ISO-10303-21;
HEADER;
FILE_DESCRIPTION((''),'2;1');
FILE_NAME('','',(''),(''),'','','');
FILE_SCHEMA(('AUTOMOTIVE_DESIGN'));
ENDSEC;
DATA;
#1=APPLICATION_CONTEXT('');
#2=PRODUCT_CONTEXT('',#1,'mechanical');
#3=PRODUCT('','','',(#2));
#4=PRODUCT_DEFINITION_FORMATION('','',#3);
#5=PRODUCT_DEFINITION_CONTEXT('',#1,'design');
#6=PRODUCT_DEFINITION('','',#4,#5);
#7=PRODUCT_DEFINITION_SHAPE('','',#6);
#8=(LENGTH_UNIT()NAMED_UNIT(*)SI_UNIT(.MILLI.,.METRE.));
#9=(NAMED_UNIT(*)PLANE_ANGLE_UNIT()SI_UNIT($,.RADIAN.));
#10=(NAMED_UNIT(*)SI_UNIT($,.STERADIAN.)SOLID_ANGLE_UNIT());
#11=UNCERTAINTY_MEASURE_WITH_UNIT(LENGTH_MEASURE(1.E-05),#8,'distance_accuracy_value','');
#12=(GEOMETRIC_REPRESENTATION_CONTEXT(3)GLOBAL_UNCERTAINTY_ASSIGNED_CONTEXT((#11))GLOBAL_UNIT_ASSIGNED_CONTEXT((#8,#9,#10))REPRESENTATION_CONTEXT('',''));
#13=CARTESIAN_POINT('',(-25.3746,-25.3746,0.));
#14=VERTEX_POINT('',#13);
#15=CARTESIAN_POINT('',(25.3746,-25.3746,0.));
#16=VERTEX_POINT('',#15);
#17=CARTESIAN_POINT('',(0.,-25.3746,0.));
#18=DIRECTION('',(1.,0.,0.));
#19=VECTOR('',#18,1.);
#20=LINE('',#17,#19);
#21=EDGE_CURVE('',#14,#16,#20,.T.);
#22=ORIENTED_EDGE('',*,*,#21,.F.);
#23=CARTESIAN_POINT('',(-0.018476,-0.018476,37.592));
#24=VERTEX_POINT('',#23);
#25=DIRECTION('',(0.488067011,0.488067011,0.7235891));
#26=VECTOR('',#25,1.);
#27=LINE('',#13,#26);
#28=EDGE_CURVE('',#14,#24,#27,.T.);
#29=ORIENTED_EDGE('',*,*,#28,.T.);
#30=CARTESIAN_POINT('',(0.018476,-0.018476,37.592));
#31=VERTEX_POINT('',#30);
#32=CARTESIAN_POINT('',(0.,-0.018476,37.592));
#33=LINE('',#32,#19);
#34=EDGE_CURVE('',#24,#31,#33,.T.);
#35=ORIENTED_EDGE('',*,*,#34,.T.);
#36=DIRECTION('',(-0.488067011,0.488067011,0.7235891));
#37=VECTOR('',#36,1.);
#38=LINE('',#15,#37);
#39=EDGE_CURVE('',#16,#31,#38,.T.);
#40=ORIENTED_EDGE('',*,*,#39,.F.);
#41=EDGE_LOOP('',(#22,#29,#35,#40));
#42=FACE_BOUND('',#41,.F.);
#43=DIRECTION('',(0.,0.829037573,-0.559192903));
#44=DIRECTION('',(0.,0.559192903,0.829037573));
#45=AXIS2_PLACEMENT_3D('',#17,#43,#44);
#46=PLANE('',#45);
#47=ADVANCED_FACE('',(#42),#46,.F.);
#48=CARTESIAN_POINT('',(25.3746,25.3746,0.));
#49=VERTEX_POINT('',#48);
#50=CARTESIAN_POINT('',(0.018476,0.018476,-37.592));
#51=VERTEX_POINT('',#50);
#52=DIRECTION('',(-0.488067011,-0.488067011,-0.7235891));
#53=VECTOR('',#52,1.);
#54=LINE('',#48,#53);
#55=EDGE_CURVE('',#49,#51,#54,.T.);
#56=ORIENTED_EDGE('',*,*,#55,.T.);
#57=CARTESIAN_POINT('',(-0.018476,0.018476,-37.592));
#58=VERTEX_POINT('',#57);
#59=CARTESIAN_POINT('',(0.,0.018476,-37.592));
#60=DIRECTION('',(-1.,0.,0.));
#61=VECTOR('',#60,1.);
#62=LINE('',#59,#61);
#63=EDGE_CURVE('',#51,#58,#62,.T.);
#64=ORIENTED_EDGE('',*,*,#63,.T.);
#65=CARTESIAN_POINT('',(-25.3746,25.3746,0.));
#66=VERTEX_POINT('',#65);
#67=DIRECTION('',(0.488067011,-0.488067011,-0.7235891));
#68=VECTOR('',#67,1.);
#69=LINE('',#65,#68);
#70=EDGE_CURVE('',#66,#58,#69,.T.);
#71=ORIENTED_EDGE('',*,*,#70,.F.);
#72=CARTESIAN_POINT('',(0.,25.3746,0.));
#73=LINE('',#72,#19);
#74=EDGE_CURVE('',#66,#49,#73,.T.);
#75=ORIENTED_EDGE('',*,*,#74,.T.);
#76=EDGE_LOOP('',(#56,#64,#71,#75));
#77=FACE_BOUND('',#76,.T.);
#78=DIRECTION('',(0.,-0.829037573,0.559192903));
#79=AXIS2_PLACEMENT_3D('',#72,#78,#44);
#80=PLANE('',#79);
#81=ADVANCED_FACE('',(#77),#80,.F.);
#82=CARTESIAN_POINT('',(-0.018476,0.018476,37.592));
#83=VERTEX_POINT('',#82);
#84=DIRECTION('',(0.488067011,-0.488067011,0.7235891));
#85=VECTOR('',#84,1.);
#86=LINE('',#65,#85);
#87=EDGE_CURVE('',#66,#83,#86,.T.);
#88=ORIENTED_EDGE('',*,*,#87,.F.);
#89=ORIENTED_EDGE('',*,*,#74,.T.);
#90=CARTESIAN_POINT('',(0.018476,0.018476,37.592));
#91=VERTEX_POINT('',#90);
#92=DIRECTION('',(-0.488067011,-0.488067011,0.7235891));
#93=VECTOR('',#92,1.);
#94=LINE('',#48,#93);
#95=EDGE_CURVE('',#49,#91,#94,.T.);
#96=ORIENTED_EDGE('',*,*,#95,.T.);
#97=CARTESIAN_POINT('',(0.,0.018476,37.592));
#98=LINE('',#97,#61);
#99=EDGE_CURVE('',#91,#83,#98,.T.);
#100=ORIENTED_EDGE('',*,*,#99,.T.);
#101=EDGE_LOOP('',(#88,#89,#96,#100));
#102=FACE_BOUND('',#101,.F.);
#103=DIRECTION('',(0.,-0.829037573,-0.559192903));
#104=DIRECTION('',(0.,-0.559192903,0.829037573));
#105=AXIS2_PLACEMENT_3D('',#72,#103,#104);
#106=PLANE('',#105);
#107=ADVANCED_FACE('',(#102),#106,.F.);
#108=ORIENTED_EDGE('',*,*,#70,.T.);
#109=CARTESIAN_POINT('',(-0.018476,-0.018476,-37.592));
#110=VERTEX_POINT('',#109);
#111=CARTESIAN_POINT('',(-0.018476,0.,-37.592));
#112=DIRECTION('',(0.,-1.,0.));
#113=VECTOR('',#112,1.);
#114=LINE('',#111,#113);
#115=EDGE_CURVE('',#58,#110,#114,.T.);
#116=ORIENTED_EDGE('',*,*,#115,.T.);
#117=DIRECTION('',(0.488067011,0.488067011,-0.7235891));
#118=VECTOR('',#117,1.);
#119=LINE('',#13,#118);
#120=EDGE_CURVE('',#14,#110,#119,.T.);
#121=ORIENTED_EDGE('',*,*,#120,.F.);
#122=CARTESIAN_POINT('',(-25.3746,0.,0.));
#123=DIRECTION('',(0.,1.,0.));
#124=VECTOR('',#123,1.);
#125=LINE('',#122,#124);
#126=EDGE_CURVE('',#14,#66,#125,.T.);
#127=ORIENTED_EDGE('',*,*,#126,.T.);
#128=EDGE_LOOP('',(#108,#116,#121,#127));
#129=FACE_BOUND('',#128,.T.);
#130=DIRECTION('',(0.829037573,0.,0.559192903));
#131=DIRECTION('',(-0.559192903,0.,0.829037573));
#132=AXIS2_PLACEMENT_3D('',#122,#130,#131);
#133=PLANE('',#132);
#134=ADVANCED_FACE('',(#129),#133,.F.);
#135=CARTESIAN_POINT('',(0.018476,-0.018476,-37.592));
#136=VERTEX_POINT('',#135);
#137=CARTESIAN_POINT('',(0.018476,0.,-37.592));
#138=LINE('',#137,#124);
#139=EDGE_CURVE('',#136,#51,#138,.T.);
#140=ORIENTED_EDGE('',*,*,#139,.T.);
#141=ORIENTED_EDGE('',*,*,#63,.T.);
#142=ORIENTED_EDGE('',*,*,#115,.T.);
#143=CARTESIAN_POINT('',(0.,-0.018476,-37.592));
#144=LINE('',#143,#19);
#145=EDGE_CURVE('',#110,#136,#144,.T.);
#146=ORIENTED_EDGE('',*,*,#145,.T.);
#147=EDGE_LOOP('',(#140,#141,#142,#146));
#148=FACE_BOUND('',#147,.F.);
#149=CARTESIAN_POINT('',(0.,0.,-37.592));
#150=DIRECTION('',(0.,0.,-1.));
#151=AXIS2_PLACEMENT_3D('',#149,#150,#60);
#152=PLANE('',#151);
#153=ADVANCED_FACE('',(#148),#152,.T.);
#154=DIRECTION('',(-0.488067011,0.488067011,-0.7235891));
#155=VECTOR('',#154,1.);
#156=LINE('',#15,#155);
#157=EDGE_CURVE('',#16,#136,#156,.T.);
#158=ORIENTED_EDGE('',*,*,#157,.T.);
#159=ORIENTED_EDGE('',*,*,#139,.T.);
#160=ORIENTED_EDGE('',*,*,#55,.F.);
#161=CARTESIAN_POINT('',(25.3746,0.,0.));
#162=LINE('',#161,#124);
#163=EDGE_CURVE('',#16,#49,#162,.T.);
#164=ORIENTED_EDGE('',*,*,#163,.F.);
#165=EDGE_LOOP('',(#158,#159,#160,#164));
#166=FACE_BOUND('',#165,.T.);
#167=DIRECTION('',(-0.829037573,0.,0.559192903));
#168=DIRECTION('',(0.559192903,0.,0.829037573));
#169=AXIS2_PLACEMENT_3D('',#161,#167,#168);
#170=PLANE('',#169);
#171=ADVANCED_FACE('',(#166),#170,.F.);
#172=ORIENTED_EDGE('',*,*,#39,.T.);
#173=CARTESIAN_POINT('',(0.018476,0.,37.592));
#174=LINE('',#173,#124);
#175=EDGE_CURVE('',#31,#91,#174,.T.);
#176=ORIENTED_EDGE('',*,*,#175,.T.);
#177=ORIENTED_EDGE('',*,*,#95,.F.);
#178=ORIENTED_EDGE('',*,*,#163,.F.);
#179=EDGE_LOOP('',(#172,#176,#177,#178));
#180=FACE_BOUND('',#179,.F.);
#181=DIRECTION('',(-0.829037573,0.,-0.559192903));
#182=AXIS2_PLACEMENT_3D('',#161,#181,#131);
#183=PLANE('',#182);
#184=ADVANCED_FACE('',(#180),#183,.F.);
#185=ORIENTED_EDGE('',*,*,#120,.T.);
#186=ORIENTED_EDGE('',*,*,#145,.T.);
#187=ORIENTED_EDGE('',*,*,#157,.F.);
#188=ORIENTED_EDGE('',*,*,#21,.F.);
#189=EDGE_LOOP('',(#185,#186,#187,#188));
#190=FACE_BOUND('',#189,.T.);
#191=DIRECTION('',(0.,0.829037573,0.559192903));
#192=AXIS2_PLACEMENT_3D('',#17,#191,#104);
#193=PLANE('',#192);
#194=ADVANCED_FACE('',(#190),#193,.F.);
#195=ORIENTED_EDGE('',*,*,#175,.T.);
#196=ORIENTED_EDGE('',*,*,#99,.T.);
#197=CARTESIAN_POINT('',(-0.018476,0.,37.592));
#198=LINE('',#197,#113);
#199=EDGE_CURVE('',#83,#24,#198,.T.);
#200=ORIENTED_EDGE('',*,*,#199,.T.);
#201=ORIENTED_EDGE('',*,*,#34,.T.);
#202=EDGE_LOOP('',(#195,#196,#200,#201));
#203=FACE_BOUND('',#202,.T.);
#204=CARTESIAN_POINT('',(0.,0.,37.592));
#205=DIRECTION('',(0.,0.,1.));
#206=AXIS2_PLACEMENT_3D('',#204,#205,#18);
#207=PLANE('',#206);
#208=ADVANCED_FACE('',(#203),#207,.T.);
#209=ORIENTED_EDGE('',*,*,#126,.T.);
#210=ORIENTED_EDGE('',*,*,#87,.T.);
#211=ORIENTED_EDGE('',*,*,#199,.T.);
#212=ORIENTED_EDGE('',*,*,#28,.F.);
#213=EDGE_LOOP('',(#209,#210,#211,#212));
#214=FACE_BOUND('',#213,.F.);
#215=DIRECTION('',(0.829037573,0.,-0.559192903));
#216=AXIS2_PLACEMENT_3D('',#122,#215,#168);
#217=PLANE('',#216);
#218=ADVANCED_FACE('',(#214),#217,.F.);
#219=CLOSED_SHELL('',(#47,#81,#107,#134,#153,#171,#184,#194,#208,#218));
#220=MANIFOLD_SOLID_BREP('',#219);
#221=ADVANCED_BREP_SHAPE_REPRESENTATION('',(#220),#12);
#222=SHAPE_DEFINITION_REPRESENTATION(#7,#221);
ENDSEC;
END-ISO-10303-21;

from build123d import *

# Parameters (mm, degrees)
F0_W     = 68.58
F0_H     = 68.58
F1_DEPTH = 50.8
F1_TAPER = 34
F2_SCALE = 0.74


with BuildPart() as f1:
    # F0 (on Top) → F1 (new body)
    with BuildSketch(Plane.XY):
        Rectangle(F0_W, F0_H)
    extrude(amount=F1_DEPTH, taper=F1_TAPER)


with BuildPart() as f1_1:
    # F2: moved
    add(f1.part.scale(F2_SCALE))

    # F3: F1 across plane


with BuildPart() as f1_2:
    add(f1_1.part)
    add(f1_1.part.mirror(Plane.XY))


solid = f1_2.part
